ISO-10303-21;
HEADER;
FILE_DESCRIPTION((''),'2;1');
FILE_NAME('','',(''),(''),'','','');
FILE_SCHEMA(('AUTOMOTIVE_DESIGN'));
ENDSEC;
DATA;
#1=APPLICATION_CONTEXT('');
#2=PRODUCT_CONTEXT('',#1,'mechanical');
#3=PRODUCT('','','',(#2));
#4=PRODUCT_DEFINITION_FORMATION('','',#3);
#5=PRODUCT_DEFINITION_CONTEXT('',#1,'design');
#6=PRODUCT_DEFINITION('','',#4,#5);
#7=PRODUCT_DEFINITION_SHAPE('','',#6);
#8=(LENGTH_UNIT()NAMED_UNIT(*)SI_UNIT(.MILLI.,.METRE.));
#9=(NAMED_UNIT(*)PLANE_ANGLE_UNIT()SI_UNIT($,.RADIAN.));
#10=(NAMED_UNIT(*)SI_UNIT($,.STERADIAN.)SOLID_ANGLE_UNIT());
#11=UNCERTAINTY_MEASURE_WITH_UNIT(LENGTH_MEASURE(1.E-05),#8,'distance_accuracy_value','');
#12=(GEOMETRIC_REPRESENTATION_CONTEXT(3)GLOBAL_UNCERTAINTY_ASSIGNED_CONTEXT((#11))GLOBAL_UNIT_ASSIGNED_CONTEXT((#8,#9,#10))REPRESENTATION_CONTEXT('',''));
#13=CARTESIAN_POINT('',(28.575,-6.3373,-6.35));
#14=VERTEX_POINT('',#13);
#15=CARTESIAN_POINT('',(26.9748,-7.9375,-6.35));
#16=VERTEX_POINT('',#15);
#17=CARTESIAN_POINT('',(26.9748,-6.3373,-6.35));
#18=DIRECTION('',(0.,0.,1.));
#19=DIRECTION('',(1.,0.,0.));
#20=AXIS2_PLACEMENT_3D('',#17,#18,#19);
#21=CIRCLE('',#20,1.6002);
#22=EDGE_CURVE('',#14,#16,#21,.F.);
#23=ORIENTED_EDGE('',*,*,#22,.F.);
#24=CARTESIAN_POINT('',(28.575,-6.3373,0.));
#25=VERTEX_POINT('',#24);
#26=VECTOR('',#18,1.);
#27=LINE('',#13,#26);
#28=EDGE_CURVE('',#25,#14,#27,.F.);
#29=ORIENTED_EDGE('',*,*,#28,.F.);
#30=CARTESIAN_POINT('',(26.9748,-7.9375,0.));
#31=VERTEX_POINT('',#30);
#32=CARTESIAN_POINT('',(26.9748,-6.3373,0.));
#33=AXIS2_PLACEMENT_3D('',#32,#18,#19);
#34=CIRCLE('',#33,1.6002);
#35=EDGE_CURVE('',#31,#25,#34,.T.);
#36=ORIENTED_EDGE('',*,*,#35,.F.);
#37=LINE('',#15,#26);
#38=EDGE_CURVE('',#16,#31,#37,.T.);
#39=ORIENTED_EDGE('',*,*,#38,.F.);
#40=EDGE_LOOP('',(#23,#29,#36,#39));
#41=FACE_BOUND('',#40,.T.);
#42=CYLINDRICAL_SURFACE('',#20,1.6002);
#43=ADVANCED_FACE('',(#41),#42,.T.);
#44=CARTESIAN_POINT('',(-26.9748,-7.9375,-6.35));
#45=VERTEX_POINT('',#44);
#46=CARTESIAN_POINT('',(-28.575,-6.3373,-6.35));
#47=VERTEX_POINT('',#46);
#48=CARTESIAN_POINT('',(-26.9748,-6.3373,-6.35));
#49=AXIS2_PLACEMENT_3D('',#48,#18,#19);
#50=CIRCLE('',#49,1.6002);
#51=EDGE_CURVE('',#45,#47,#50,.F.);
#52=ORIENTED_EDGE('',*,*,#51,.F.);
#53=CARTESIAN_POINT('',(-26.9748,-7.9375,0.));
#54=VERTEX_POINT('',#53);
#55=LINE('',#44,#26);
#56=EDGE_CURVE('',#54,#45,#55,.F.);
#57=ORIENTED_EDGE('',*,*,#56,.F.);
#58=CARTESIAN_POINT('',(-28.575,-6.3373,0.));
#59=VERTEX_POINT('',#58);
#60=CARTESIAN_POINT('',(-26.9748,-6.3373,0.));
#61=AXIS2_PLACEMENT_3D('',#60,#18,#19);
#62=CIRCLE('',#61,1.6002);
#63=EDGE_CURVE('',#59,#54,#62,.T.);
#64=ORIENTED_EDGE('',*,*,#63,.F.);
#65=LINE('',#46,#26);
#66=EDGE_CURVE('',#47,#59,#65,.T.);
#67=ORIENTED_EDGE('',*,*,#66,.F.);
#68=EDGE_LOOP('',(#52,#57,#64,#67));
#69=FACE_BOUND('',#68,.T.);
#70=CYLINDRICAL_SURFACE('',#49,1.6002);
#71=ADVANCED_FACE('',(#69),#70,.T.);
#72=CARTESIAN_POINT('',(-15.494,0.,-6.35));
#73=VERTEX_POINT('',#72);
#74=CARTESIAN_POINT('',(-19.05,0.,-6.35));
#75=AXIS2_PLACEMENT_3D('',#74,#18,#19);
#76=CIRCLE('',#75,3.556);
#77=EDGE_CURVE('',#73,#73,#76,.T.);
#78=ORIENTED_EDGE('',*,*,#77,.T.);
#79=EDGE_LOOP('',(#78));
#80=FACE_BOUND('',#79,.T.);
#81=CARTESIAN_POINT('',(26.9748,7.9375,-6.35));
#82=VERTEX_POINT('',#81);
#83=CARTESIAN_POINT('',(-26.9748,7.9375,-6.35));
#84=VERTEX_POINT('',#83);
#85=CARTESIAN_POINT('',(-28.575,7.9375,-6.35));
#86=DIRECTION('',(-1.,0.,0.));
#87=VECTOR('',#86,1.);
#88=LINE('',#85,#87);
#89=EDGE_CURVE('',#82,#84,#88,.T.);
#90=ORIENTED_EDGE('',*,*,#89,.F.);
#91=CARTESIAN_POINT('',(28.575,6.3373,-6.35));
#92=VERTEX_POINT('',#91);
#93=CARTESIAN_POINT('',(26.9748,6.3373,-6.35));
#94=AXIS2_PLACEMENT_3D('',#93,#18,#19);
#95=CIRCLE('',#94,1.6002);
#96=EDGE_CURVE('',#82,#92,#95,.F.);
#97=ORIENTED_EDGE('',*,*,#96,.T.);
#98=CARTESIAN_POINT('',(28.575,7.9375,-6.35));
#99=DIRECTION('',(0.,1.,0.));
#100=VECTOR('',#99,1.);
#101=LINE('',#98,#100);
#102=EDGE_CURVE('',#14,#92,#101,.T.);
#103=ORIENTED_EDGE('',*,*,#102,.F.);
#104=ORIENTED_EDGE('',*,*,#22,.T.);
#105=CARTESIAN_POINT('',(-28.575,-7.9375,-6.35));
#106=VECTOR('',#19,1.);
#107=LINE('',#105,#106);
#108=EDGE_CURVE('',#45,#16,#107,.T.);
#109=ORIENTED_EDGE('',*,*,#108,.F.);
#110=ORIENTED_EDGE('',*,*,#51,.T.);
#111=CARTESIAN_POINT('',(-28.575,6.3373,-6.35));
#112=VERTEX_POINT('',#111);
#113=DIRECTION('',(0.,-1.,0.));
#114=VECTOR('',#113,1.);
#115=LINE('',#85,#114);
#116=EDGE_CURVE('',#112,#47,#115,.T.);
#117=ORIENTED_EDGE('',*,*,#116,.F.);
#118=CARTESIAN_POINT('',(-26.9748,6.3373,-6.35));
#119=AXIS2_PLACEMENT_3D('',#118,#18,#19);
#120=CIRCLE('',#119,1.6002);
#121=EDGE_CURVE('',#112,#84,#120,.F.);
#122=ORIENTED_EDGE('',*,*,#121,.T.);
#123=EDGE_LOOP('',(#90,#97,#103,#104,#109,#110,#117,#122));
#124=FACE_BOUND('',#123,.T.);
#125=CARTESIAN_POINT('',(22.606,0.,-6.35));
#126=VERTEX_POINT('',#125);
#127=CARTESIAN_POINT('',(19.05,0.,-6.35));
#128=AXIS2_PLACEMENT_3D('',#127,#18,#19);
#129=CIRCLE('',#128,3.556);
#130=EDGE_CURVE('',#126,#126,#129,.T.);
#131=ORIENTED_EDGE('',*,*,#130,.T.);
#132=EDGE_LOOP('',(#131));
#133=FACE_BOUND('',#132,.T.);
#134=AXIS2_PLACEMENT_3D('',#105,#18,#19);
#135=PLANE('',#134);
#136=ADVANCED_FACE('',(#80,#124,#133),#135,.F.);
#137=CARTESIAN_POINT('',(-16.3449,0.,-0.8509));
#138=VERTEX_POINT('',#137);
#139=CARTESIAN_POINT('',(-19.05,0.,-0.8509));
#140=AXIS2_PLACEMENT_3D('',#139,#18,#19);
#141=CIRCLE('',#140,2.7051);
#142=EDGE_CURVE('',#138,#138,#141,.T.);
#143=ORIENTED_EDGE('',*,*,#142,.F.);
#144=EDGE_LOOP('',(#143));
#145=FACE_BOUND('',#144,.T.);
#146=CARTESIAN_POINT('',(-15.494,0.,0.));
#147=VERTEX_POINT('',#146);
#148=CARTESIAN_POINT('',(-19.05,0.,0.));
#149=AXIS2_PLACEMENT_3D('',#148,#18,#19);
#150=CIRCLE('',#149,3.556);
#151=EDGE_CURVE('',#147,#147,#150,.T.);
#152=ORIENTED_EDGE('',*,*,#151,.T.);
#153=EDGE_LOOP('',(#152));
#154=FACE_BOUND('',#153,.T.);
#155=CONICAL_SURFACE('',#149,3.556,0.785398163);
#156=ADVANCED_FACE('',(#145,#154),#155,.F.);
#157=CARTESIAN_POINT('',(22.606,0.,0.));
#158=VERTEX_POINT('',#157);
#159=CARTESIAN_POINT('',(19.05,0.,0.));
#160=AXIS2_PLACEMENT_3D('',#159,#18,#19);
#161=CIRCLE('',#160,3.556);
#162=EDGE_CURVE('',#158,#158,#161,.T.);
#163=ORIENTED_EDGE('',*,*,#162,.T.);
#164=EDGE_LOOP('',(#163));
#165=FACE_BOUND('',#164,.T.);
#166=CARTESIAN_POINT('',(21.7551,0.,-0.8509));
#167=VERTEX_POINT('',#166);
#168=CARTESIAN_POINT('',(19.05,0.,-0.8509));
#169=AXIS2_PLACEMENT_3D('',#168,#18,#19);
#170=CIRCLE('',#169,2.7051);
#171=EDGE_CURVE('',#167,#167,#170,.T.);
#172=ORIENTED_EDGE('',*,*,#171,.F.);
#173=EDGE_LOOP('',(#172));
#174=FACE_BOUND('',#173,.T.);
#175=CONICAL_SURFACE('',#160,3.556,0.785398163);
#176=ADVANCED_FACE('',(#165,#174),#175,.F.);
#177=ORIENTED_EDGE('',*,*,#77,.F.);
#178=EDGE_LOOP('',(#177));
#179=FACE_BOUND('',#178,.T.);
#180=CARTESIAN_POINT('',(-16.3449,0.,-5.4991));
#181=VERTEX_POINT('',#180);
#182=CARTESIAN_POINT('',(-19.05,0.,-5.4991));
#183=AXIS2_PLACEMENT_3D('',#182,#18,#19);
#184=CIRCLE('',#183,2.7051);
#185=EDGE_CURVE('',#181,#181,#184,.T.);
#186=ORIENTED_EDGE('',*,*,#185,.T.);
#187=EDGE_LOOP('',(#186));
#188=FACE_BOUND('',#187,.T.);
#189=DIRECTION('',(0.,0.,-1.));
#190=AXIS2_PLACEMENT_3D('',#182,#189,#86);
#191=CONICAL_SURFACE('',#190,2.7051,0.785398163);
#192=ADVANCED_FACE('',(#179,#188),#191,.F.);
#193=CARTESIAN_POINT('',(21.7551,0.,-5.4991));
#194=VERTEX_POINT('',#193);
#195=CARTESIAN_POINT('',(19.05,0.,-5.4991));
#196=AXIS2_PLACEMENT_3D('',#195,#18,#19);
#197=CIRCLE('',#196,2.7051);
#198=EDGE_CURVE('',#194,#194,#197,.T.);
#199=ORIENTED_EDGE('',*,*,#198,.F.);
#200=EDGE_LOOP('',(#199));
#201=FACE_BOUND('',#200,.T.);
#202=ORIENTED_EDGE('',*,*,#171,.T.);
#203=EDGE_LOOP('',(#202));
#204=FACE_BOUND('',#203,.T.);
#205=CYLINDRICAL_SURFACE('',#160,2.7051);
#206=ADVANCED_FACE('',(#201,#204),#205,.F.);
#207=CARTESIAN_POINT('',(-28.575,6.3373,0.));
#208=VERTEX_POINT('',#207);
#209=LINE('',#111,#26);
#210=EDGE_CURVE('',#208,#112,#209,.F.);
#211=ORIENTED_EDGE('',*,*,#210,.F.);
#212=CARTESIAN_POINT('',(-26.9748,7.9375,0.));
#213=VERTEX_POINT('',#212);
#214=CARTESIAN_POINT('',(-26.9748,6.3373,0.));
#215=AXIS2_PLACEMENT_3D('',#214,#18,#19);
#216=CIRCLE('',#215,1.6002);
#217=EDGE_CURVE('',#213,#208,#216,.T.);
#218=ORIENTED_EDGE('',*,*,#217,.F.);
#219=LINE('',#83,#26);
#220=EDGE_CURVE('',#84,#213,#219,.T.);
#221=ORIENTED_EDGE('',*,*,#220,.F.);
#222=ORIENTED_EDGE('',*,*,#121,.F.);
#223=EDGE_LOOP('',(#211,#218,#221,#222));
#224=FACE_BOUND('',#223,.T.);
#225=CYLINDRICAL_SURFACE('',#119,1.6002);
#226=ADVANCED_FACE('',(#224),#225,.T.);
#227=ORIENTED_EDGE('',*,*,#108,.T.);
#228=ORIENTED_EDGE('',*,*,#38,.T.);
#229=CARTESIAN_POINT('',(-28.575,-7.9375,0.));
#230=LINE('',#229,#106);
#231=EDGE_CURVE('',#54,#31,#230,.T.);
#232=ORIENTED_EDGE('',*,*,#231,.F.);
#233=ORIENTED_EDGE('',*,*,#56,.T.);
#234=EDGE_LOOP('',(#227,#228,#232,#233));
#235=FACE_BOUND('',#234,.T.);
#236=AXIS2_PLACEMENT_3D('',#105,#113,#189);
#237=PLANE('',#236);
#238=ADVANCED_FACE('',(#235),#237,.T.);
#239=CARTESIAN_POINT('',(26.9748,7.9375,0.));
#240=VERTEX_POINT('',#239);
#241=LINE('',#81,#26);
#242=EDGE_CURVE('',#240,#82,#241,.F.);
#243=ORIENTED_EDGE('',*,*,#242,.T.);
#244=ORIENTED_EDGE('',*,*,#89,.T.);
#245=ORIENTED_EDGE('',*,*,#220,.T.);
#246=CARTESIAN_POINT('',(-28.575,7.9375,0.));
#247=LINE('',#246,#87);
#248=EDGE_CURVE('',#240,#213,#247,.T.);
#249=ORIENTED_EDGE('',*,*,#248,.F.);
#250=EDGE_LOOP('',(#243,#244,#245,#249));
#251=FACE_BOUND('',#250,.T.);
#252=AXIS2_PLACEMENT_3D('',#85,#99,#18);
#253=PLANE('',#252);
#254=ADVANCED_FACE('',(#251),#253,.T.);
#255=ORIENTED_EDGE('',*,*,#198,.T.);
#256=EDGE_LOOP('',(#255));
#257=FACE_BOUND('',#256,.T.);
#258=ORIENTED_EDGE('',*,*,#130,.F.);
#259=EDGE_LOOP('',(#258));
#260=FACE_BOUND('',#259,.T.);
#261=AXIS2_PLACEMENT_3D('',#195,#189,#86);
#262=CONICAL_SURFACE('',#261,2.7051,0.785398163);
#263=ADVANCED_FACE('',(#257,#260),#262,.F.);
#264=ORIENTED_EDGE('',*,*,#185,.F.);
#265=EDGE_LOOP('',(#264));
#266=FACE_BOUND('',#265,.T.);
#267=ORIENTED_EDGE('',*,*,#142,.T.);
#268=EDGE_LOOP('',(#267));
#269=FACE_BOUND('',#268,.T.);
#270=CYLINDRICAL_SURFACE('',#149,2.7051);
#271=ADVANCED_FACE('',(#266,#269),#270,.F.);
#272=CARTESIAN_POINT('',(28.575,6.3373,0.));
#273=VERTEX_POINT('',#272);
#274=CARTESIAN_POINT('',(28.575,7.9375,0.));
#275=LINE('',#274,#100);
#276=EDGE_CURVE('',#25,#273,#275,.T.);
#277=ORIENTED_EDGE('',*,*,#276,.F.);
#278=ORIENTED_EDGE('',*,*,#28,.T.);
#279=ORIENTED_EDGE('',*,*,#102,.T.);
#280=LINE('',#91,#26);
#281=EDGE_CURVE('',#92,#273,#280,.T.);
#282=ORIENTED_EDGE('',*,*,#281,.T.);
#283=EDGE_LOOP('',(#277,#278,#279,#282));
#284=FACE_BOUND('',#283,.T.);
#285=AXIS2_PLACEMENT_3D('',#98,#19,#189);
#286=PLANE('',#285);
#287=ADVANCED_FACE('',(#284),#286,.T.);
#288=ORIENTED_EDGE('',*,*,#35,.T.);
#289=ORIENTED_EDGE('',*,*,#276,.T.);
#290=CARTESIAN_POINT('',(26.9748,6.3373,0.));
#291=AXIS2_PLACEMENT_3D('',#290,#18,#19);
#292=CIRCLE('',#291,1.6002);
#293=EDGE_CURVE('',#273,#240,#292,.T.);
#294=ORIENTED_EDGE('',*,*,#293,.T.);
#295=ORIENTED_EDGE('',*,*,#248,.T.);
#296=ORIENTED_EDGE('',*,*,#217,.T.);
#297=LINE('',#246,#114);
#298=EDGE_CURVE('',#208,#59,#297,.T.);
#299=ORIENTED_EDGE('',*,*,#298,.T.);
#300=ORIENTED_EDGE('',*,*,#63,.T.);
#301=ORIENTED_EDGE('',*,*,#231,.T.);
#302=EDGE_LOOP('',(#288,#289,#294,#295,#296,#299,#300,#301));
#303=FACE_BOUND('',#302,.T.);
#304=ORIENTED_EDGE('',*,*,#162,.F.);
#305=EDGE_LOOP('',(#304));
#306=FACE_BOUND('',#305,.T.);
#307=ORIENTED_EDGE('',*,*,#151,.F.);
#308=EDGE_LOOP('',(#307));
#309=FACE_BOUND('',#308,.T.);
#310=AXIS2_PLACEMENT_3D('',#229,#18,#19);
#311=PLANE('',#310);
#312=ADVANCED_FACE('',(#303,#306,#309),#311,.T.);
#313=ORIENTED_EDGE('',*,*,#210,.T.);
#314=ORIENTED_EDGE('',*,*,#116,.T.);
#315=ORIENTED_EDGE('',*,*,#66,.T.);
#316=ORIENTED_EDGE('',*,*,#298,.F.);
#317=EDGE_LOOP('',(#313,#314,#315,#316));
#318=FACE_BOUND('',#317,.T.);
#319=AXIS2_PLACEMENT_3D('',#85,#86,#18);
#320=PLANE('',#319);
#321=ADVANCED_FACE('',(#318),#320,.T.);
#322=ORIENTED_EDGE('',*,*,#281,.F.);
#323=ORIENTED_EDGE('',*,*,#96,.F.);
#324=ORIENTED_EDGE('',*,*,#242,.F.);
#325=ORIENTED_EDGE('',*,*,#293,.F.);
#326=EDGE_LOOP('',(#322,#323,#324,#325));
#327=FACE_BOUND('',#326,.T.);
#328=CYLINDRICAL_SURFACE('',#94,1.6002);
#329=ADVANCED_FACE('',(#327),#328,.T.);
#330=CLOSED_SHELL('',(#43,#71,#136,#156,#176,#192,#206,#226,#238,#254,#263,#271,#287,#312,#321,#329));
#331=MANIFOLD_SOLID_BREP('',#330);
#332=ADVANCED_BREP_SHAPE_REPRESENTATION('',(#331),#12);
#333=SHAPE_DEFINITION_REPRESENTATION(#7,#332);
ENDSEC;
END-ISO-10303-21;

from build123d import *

# Parameters (mm, degrees)
SKETCH1_W                        = 57.15
SKETCH1_H                        = 15.875
BOSS_EXTRUDE1_DEPTH              = 6.35
F_1_4_28_TAPPED_HOLE1_AT_2_COUNT = 2
F_1_4_28_TAPPED_HOLE1_AT_2_PITCH = 38.1
FILLET1_R                        = 1.6002


with BuildPart() as part:
    # Sketch1 → Boss-Extrude1 (new body)
    with BuildSketch(Plane.XY):
        Rectangle(SKETCH1_W, SKETCH1_H)
    extrude(amount=-BOSS_EXTRUDE1_DEPTH)

    # Sketch2 → 1/4-28 Tapped Hole1 (revolve, cut)
    with BuildSketch(Plane(origin=(19.05, 0, 0), x_dir=(0, -1, 0), z_dir=(1, 0, 0))):
        Polygon((0, 0), (0, 6.35), (3.556, 6.35), (2.7051, 5.4991), (2.7051, 0.8509), (3.556, 0), align=None)
    f_1_4_28_tapped_hole1 = revolve(axis=Axis((19.05, 0, 6.35), (0, 0, -1)), mode=Mode.SUBTRACT)

    # 1/4-28 Tapped Hole1 at 2: 1/4-28 Tapped Hole1 ×2
    with Locations(*[(-i * F_1_4_28_TAPPED_HOLE1_AT_2_PITCH, 0, 0) for i in range(1, F_1_4_28_TAPPED_HOLE1_AT_2_COUNT)]):
        add(f_1_4_28_tapped_hole1, mode=Mode.SUBTRACT)

    # Fillet1
    fillet1_edges = [part.edges().sort_by_distance(p)[0] for p in [
        (-28.575, 7.9375, -3.175),
        (28.575, 7.9375, -3.175),
        (28.575, -7.9375, -3.175),
        (-28.575, -7.9375, -3.175),
    ]]
    fillet(fillet1_edges, radius=FILLET1_R)


solid = part.part
